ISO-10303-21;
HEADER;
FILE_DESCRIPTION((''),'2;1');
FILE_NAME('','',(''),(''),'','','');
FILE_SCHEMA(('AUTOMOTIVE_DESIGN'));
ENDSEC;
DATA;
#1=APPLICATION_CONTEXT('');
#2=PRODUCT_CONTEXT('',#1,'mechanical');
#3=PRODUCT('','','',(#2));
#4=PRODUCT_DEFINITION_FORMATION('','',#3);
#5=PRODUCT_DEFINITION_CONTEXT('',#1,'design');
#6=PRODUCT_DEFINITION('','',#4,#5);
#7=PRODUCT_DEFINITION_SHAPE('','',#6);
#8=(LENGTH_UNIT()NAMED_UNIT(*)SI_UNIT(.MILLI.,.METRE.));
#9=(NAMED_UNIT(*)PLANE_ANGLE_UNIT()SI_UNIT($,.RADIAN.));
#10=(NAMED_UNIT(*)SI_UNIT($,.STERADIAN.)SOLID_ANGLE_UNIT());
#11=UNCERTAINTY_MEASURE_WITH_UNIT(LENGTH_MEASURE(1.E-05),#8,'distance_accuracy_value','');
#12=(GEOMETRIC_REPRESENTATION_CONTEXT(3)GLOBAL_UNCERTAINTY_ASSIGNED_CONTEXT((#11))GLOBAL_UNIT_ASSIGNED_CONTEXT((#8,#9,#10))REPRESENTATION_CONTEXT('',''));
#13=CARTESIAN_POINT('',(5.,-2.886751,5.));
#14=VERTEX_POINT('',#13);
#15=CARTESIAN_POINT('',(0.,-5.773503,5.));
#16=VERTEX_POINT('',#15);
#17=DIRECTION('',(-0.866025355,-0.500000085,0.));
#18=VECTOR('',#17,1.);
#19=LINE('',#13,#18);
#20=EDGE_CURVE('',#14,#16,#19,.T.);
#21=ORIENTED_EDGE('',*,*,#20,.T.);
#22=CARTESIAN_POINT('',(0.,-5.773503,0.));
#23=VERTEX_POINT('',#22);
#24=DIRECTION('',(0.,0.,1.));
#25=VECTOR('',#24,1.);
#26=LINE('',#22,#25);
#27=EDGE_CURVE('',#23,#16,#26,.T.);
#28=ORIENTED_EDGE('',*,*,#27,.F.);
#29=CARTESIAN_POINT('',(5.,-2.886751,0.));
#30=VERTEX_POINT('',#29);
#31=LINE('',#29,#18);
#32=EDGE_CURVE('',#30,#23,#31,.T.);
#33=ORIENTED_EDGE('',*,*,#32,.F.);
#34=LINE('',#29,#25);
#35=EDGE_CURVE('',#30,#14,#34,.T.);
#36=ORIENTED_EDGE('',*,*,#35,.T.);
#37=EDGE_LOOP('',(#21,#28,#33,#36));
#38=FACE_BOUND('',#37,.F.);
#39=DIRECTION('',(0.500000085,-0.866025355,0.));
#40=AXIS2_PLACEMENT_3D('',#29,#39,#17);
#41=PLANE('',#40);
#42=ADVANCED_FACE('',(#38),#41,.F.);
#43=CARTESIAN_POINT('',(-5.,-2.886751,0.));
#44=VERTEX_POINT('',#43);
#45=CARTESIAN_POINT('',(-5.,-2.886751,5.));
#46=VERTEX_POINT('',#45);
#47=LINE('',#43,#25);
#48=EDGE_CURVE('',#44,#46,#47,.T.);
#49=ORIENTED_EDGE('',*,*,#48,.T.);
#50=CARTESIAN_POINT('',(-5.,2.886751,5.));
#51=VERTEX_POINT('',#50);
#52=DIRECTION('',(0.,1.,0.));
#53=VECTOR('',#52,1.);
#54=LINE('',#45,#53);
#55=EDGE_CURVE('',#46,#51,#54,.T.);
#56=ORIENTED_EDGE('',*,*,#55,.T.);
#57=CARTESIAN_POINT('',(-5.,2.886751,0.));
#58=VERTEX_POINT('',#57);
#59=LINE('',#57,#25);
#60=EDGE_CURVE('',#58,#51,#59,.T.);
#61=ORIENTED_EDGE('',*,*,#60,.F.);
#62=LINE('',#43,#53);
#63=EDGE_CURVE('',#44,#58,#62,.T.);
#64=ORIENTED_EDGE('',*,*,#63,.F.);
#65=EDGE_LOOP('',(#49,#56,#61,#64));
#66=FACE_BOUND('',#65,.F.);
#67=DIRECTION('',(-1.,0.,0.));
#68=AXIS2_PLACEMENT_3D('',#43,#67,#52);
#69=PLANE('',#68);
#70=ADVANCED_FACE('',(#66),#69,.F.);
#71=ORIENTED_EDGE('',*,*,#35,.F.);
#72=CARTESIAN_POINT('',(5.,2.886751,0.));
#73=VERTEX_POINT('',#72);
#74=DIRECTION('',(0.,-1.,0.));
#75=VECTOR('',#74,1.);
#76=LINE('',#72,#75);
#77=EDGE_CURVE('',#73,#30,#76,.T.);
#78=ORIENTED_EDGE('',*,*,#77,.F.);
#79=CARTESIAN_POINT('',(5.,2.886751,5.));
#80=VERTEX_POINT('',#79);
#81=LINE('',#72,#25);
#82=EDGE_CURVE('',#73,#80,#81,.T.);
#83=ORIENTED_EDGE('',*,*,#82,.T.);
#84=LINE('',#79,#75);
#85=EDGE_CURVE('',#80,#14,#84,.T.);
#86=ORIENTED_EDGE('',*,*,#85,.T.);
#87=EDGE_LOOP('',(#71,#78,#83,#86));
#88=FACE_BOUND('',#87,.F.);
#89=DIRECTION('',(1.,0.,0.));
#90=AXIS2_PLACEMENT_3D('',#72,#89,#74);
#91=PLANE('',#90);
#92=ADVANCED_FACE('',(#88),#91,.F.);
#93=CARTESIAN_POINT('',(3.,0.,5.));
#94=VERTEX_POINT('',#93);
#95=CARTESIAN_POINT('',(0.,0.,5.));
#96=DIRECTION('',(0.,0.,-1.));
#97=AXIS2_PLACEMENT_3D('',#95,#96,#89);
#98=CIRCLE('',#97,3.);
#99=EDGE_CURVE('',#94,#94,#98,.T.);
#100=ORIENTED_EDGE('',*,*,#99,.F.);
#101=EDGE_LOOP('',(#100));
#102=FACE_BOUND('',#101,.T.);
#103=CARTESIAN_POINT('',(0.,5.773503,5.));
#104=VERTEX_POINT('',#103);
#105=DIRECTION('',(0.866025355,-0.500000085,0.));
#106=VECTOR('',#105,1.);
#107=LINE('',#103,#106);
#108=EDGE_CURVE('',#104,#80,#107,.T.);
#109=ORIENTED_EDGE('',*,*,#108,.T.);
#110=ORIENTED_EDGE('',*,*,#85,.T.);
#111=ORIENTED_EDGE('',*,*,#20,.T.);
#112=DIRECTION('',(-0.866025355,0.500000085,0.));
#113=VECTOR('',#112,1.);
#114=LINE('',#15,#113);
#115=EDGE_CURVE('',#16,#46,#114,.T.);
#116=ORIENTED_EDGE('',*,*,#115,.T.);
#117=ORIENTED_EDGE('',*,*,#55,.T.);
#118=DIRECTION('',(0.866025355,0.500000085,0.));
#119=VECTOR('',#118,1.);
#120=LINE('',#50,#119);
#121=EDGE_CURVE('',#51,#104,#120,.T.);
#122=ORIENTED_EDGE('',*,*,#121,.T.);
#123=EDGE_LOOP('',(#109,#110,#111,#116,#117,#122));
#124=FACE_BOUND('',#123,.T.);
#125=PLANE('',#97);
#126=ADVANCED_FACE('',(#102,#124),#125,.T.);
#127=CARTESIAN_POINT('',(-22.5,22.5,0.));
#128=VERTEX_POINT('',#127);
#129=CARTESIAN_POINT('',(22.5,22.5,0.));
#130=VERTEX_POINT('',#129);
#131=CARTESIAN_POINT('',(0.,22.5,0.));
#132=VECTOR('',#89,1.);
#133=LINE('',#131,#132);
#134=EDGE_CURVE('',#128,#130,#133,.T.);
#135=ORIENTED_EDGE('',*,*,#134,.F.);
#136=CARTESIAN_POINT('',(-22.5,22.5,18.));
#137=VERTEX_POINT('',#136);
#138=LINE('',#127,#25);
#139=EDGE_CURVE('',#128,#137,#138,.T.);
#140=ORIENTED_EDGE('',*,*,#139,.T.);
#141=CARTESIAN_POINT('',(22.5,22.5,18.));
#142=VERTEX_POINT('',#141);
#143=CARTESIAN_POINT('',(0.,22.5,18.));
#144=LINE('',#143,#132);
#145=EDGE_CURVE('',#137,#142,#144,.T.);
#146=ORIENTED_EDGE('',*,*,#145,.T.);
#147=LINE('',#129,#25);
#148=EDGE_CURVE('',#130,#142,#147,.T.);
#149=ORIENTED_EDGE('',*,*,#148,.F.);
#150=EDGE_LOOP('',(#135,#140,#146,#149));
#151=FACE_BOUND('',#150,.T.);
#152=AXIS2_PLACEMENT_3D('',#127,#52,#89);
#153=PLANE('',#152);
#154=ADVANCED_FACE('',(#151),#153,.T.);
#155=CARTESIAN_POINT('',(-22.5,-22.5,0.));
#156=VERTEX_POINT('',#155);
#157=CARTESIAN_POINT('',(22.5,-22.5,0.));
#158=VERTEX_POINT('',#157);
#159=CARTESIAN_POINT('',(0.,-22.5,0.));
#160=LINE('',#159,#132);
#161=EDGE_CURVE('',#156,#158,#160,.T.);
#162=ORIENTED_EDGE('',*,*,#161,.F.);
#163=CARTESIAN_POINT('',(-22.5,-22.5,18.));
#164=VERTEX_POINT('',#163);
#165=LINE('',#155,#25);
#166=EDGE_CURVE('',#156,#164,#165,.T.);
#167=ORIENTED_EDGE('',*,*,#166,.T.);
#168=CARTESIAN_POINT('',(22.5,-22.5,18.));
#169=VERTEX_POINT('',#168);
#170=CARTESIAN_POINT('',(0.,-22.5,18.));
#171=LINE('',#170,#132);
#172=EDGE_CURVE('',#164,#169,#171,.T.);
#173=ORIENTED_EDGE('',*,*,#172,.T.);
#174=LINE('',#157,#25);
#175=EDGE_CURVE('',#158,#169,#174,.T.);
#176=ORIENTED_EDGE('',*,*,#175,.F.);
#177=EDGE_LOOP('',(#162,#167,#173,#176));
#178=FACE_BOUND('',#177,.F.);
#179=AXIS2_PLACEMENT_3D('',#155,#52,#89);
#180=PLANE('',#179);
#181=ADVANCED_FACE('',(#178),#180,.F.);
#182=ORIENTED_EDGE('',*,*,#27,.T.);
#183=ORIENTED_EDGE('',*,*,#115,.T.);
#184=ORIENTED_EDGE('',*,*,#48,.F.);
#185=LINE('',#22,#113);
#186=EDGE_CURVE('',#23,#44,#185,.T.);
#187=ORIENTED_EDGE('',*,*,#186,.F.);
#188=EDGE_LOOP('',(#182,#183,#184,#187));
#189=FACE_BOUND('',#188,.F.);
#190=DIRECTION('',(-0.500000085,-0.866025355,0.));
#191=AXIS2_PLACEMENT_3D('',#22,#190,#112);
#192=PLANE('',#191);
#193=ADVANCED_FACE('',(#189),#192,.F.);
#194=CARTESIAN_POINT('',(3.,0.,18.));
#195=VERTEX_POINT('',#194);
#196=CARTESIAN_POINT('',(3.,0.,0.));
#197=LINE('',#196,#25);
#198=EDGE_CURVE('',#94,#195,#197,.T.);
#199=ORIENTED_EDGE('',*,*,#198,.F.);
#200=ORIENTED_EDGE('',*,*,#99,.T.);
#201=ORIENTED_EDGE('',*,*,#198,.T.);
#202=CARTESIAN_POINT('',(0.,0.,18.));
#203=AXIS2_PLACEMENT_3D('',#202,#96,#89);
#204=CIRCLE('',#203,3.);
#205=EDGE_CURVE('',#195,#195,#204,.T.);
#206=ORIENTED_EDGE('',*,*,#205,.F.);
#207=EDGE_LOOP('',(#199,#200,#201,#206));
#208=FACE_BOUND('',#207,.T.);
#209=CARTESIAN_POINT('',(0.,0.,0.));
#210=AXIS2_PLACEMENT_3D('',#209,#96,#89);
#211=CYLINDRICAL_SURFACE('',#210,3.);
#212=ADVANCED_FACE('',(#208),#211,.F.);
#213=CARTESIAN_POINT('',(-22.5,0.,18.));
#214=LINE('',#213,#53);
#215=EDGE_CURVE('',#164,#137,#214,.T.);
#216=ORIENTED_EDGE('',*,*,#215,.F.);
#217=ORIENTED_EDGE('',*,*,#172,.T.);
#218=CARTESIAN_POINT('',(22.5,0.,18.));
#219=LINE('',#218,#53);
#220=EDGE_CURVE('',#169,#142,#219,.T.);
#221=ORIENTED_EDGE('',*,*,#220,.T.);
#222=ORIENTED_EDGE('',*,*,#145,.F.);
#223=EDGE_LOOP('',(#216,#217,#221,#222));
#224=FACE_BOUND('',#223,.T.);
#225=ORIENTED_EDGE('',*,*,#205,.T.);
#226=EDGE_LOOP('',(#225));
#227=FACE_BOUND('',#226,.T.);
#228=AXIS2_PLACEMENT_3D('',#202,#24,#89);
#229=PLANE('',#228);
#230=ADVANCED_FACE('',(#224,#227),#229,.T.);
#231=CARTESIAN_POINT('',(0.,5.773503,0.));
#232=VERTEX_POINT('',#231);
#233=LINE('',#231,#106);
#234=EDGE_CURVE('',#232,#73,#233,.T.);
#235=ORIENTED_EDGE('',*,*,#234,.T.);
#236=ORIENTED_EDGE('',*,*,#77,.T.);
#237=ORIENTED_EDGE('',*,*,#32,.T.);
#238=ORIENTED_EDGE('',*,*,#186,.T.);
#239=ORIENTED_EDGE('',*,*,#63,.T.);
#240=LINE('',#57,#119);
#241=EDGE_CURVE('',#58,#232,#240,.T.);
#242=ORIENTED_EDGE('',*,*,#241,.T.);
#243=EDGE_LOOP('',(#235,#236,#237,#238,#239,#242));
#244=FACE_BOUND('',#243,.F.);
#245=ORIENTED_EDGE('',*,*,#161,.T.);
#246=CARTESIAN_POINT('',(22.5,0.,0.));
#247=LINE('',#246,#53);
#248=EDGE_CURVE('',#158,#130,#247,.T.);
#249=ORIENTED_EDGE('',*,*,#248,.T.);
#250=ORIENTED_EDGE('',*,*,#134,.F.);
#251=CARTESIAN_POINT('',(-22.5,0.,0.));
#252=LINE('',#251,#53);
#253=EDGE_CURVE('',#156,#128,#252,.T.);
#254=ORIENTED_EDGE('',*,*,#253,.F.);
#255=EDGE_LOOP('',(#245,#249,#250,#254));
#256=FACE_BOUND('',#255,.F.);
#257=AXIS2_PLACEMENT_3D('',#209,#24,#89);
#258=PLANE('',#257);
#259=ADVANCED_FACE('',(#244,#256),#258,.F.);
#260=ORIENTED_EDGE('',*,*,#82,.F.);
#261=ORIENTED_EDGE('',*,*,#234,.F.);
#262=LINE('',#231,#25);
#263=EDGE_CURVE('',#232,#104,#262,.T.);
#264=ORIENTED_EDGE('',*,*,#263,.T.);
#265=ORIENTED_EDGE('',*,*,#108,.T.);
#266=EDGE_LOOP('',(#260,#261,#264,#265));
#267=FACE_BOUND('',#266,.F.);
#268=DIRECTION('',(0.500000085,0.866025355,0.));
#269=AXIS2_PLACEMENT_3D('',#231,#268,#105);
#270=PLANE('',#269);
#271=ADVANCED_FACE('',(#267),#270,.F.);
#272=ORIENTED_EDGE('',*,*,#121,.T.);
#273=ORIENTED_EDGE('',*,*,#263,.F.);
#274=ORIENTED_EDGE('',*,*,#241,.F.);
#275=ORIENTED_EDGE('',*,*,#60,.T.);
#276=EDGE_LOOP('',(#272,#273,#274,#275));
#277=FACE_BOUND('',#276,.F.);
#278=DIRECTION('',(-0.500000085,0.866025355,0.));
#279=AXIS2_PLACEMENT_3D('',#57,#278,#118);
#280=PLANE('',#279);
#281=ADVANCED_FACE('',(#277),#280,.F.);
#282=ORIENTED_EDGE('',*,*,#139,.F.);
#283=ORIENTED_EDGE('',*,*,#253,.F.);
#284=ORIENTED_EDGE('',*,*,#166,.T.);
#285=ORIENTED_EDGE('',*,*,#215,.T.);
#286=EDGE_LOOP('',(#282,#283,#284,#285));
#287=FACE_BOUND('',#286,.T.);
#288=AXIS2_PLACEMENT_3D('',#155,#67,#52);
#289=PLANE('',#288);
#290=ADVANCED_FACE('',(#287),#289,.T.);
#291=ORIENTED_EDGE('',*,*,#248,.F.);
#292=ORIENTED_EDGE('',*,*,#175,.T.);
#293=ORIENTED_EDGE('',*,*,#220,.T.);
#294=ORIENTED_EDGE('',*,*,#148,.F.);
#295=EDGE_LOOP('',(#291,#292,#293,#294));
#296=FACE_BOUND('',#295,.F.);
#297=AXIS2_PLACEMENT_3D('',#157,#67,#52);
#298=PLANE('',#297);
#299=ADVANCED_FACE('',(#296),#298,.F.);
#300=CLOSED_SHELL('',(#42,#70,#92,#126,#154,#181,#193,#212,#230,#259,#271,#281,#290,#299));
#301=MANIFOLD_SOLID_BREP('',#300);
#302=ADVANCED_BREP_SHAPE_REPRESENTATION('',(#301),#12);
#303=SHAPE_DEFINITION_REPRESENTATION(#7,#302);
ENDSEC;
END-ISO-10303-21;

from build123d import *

# Parameters (mm, degrees)
F0_W     = 45
F0_H     = 45
F1_DEPTH = 18
F2_R     = 3
F3_DEPTH = 18.001
F6_DEPTH = 5


with BuildPart() as f1:
    # F0 (on Top) → F1 (new body)
    with BuildSketch(Plane.XY):
        Rectangle(F0_W, F0_H)
    extrude(amount=F1_DEPTH)

    # F2 (on Top) → F3 (cut, through all)
    with BuildSketch(Plane.XY):
        Circle(F2_R)
    extrude(amount=F3_DEPTH, mode=Mode.SUBTRACT)

    # F5 (on face) → F6 (cut)
    with BuildSketch(Plane(origin=(0, 0, 0), x_dir=(1, 0, 0), z_dir=(0, 0, -1))):
        Polygon((5, -2.886751), (5, 2.886751), (0, 5.773503), (-5, 2.886751), (-5, -2.886751), (0, -5.773503), align=None)
    extrude(amount=-F6_DEPTH, mode=Mode.SUBTRACT)


solid = f1.part
